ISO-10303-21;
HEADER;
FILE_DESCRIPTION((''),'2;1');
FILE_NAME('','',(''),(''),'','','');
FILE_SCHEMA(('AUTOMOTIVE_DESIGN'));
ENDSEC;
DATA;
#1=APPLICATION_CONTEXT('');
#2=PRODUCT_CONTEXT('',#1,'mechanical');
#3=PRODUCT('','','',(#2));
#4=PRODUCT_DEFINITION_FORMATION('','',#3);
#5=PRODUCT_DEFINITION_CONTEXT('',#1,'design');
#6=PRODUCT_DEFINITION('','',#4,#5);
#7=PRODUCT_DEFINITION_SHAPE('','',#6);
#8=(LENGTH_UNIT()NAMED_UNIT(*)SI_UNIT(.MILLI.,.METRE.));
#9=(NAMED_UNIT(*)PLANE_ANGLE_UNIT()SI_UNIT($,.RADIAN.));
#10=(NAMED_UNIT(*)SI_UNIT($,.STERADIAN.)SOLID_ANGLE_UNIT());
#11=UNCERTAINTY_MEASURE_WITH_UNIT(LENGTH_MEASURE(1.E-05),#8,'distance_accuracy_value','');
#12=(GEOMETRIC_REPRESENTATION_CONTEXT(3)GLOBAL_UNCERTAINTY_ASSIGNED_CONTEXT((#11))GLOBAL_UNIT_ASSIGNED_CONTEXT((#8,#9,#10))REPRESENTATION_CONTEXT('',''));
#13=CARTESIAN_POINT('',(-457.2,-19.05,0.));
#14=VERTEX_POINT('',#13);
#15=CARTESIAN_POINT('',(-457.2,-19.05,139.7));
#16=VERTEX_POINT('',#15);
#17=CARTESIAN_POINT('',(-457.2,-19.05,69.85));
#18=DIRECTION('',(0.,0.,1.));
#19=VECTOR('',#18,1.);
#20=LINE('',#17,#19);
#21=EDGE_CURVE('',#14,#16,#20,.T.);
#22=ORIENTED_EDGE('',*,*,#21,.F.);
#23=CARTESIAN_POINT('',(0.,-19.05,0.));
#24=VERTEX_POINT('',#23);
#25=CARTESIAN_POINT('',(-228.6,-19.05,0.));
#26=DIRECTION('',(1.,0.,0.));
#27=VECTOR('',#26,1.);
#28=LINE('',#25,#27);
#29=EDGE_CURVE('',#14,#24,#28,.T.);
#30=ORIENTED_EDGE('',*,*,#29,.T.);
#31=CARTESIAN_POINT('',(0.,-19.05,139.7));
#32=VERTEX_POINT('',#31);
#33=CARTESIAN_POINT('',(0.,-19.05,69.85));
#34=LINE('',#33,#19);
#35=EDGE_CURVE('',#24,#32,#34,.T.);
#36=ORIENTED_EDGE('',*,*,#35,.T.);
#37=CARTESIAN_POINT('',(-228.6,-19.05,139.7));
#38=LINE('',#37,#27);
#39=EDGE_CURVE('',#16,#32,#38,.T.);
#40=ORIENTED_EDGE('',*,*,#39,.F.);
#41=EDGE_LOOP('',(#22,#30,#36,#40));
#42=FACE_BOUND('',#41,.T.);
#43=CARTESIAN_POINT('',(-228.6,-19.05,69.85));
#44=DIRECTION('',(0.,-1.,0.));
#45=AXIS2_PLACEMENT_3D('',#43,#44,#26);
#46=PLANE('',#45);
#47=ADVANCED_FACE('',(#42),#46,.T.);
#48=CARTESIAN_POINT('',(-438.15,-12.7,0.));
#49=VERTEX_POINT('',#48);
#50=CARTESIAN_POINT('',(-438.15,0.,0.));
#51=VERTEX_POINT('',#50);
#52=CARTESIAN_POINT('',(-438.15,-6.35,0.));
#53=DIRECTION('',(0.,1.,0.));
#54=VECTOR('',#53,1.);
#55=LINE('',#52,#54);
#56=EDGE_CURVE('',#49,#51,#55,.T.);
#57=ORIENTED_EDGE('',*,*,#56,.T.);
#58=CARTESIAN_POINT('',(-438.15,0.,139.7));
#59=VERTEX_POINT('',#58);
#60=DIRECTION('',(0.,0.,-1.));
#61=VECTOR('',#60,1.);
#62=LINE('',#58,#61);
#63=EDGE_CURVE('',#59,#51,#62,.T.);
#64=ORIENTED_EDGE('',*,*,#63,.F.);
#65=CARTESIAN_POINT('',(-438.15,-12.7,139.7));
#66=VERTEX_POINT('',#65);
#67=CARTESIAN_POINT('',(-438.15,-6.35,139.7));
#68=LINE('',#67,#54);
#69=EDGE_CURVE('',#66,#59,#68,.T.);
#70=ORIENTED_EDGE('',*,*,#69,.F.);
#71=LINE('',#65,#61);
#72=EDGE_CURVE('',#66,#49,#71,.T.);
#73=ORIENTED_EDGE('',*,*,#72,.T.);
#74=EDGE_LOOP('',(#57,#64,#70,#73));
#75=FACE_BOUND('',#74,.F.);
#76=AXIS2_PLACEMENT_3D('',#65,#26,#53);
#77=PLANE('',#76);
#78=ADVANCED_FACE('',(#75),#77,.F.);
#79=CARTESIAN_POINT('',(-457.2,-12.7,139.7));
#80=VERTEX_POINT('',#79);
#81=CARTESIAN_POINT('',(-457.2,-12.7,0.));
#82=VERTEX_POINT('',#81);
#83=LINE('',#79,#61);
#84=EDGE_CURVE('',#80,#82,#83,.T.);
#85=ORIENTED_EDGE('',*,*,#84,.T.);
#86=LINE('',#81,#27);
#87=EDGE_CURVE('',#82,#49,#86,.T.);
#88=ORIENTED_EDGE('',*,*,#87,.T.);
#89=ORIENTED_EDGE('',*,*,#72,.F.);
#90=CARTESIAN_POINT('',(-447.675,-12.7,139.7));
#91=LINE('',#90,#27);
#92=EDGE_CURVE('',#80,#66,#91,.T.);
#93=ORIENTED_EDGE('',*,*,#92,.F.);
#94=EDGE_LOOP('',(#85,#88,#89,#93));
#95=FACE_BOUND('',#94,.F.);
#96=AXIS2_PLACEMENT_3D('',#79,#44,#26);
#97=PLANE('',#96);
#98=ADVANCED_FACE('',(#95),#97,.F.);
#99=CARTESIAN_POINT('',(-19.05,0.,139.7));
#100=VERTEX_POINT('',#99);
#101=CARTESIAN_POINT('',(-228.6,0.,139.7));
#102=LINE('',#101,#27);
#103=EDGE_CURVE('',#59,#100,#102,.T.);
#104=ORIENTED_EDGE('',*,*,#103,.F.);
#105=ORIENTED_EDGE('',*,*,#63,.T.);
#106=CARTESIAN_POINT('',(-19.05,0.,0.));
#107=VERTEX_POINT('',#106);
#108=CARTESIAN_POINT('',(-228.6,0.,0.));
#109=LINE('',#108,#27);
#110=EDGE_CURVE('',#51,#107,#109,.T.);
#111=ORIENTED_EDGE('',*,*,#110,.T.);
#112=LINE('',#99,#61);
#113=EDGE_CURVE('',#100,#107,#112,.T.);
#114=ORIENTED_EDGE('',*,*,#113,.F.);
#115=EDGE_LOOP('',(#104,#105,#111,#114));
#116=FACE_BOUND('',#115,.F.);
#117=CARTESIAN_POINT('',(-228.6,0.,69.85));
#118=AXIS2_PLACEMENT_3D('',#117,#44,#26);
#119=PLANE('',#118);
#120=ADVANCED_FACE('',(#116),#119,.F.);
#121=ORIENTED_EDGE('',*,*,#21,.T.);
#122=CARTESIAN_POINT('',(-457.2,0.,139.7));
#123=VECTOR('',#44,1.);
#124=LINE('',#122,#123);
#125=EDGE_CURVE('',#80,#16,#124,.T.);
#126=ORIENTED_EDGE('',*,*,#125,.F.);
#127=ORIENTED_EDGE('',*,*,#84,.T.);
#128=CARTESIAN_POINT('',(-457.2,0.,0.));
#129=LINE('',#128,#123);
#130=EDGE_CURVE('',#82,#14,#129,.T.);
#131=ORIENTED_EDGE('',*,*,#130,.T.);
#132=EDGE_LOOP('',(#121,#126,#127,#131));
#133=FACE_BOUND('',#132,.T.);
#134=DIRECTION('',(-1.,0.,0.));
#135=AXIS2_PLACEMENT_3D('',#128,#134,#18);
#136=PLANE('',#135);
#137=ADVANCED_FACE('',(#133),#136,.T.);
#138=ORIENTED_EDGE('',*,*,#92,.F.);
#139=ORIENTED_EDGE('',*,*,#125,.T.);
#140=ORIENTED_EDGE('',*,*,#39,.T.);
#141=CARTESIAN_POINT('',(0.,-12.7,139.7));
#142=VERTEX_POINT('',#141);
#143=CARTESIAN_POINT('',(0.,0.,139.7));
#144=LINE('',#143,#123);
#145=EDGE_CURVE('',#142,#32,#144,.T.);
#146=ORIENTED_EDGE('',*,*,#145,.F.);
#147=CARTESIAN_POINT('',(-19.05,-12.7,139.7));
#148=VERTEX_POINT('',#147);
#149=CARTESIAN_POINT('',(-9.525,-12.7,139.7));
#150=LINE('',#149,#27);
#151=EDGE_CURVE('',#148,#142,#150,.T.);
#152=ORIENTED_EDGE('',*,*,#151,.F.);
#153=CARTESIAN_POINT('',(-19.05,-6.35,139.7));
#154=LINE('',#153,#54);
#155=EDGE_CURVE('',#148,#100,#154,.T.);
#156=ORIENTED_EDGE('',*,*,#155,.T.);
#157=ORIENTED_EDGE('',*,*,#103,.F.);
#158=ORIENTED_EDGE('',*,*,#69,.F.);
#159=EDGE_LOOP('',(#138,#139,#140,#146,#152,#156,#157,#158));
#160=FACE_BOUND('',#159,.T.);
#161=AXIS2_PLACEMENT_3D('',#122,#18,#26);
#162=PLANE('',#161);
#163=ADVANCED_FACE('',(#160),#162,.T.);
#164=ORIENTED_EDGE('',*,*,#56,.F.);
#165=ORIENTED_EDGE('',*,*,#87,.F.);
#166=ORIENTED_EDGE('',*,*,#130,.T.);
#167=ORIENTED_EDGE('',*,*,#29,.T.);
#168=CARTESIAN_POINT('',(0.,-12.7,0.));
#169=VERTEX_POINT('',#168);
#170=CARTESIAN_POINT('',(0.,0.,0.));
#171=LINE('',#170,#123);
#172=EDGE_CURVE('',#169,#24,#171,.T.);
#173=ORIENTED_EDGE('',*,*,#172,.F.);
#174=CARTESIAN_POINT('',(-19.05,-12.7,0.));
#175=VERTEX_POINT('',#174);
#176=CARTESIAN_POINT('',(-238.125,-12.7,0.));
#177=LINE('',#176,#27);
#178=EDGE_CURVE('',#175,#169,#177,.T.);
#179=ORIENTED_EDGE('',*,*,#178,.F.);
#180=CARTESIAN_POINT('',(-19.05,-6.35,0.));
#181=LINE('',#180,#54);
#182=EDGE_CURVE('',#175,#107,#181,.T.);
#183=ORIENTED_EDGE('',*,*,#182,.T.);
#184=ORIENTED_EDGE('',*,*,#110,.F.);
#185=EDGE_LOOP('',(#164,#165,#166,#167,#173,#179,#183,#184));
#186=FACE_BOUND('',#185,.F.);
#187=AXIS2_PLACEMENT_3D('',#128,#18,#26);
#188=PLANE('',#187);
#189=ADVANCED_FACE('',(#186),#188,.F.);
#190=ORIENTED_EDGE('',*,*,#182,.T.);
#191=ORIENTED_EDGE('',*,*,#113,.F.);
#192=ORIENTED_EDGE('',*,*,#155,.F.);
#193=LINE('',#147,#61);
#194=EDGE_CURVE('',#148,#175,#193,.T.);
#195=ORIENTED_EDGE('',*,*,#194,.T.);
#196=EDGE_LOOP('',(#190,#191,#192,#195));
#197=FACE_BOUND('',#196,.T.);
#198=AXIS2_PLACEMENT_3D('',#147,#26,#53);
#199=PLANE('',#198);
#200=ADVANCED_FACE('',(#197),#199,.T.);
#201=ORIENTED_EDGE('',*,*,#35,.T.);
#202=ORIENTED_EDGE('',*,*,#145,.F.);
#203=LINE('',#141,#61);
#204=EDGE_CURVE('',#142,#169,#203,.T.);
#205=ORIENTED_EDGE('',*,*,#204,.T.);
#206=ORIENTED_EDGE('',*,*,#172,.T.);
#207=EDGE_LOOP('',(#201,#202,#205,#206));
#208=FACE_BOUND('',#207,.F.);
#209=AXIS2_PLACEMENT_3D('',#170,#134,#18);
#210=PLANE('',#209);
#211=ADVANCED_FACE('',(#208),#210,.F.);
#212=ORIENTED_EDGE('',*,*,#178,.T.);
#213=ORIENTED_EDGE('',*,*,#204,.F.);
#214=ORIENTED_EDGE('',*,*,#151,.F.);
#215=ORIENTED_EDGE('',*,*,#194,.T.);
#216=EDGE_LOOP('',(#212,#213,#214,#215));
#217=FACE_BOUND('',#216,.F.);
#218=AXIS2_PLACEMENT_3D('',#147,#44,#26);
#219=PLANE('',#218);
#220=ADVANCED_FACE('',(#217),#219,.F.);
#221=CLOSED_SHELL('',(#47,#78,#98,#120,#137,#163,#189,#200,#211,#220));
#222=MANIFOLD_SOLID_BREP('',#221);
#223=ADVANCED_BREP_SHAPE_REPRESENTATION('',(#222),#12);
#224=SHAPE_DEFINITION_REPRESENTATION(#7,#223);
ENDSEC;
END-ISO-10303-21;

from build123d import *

# Parameters (mm, degrees)
F0_W     = 457.2
F0_H     = 139.7
F1_DEPTH = 19.05
F2_W     = 19.05
F2_H     = 12.7
F3_DEPTH = 139.701
F4_W     = 19.05
F4_H     = 12.7
F5_DEPTH = 139.701


with BuildPart() as f1:
    # F0 (on Front) → F1 (new body)
    with BuildSketch(Plane.XZ):
        with Locations((-228.6, 69.85)):
            Rectangle(F0_W, F0_H)
    extrude(amount=F1_DEPTH)

    # F2 (on face) → F3 (cut, through all)
    with BuildSketch(Plane.XY.offset(139.7)):
        with Locations((-9.525, -6.35)):
            Rectangle(F2_W, F2_H)
    extrude(amount=-F3_DEPTH, mode=Mode.SUBTRACT)

    # F4 (on face) → F5 (cut, through all)
    with BuildSketch(Plane.XY.offset(139.7)):
        with Locations((-447.675, -6.35)):
            Rectangle(F4_W, F4_H)
    extrude(amount=-F5_DEPTH, mode=Mode.SUBTRACT)


solid = f1.part
